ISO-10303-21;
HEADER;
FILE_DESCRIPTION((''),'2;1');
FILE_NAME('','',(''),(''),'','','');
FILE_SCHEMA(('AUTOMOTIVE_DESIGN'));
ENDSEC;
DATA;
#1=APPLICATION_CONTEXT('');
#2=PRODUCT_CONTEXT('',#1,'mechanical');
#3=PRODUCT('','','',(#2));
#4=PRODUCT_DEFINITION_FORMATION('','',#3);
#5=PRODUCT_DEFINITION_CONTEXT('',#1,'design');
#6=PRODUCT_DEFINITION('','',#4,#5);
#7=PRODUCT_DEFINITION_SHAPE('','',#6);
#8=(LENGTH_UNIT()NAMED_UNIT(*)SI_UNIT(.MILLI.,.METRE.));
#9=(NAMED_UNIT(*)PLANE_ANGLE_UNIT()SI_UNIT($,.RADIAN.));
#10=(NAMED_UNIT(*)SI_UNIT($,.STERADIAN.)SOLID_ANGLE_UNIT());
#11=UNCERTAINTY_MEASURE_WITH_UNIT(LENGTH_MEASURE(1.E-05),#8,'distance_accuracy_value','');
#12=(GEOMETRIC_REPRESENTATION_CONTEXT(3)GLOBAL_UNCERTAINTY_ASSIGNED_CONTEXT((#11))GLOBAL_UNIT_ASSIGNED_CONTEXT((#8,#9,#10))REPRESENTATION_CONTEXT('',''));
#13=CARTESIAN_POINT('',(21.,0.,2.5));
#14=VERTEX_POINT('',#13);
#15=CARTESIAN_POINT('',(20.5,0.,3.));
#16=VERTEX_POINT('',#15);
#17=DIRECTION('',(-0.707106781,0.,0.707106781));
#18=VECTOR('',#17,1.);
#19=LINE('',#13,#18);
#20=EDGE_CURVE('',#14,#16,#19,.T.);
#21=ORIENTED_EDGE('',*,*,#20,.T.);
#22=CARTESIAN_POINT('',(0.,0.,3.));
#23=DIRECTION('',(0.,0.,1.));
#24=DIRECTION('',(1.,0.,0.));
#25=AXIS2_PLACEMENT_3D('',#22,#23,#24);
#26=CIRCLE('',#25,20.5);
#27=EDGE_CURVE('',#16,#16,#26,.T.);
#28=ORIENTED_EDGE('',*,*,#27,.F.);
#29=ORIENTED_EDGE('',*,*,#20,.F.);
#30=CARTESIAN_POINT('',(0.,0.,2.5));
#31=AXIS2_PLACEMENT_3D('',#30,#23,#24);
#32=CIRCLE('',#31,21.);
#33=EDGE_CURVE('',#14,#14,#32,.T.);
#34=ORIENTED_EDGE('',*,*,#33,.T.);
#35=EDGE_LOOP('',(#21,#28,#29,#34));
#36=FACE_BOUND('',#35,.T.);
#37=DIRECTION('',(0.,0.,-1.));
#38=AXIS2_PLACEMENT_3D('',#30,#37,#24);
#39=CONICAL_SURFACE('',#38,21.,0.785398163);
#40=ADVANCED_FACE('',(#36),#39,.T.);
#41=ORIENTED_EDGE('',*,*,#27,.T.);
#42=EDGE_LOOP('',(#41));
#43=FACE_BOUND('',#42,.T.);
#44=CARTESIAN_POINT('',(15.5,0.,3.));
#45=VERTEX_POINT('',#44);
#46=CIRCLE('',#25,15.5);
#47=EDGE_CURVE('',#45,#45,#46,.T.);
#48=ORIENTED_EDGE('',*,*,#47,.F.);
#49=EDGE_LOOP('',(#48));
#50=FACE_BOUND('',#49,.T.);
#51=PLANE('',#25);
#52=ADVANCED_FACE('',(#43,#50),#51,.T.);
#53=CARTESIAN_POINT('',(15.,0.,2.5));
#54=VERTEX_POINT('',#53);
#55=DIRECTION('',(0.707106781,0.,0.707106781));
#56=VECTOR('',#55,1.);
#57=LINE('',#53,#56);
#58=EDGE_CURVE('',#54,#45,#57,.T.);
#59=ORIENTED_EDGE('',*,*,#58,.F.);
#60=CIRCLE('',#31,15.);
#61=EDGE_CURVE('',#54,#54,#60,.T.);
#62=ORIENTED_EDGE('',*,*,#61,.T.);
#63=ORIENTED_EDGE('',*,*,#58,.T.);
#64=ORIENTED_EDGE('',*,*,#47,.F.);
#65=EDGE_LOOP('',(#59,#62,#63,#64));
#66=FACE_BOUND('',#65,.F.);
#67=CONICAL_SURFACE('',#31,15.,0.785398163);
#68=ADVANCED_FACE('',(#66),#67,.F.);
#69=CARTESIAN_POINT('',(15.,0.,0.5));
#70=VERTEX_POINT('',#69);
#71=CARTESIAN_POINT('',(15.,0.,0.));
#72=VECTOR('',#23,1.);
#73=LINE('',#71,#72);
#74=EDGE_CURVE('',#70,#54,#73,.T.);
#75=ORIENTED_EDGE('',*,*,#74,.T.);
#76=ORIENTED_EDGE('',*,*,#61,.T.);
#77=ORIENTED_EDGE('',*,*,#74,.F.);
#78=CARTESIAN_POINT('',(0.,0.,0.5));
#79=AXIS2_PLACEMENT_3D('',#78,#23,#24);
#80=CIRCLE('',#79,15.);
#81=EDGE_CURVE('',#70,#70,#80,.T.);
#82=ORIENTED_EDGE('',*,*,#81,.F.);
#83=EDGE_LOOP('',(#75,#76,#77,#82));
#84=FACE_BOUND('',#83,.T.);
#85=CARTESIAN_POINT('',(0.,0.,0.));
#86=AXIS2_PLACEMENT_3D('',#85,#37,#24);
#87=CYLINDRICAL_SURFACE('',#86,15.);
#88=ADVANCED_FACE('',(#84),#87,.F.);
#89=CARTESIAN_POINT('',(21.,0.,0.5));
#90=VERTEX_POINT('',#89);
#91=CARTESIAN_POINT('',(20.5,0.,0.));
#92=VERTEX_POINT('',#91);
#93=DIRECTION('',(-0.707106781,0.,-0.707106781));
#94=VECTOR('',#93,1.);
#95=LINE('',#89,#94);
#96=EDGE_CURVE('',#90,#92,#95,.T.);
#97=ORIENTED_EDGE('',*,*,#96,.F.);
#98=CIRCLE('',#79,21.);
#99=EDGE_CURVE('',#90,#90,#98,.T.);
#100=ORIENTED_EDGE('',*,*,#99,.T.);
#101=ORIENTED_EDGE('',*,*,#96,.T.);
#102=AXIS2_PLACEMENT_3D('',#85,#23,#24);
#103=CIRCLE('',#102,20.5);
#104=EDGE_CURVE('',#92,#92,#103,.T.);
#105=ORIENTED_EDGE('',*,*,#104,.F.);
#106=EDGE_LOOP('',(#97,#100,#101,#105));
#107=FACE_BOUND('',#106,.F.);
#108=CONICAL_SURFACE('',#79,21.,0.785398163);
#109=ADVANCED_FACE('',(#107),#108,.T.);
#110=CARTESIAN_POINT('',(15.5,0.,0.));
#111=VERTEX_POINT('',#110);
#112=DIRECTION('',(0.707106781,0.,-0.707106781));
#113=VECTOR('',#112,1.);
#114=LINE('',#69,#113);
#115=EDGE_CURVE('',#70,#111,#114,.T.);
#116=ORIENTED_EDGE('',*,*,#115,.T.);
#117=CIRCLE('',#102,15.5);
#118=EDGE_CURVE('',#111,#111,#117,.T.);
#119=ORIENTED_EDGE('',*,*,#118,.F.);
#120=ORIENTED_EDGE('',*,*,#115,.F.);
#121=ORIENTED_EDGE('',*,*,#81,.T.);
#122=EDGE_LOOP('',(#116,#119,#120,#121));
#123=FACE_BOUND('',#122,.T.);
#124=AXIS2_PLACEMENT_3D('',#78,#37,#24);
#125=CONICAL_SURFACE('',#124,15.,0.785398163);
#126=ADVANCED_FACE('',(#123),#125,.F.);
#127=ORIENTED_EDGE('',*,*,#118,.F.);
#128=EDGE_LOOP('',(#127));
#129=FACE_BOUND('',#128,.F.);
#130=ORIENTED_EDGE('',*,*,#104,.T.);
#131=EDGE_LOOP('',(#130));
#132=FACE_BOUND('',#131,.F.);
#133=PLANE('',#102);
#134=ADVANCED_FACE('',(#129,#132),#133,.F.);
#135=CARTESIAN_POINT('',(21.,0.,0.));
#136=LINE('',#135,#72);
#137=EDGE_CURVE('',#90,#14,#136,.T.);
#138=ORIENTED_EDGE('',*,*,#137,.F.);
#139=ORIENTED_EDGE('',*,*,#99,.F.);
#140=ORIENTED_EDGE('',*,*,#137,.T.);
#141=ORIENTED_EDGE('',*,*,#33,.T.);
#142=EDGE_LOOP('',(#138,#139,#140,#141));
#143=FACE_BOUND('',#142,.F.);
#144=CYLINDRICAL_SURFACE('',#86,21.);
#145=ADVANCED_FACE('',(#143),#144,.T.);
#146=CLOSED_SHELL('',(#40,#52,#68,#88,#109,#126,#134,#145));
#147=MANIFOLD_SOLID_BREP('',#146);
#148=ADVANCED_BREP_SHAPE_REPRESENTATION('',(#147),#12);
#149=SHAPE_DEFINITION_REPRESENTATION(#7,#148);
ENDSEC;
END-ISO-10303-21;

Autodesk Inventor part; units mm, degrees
ref_plane "YZ Plane" through (0, 0, 0) normal (1, 0, 0) x (0, 1, 0)
ref_plane "XZ Plane" through (0, 0, 0) normal (0, 1, 0) x (-1, 0, 0)
ref_plane "XY Plane" through (0, 0, 0) normal (0, 0, 1) x (1, 0, 0)
sketch "草图1" plane through (0, 0, 0) normal (0, 0, 1) x (1, 0, 0)
  circle A0 centre (0, 0) radius 21
  circle A1 centre (0, 0) radius 15
extrude "拉伸1" add sketch "草图1" along normal blind 3
chamfer "倒角1" distance 0.5 angle 45 4 edges at (-15, 0, 3) (-15, 0, 0) (-21, 0, 3) (-21, 0, 0)
properties part number "my_attempt_v2"
